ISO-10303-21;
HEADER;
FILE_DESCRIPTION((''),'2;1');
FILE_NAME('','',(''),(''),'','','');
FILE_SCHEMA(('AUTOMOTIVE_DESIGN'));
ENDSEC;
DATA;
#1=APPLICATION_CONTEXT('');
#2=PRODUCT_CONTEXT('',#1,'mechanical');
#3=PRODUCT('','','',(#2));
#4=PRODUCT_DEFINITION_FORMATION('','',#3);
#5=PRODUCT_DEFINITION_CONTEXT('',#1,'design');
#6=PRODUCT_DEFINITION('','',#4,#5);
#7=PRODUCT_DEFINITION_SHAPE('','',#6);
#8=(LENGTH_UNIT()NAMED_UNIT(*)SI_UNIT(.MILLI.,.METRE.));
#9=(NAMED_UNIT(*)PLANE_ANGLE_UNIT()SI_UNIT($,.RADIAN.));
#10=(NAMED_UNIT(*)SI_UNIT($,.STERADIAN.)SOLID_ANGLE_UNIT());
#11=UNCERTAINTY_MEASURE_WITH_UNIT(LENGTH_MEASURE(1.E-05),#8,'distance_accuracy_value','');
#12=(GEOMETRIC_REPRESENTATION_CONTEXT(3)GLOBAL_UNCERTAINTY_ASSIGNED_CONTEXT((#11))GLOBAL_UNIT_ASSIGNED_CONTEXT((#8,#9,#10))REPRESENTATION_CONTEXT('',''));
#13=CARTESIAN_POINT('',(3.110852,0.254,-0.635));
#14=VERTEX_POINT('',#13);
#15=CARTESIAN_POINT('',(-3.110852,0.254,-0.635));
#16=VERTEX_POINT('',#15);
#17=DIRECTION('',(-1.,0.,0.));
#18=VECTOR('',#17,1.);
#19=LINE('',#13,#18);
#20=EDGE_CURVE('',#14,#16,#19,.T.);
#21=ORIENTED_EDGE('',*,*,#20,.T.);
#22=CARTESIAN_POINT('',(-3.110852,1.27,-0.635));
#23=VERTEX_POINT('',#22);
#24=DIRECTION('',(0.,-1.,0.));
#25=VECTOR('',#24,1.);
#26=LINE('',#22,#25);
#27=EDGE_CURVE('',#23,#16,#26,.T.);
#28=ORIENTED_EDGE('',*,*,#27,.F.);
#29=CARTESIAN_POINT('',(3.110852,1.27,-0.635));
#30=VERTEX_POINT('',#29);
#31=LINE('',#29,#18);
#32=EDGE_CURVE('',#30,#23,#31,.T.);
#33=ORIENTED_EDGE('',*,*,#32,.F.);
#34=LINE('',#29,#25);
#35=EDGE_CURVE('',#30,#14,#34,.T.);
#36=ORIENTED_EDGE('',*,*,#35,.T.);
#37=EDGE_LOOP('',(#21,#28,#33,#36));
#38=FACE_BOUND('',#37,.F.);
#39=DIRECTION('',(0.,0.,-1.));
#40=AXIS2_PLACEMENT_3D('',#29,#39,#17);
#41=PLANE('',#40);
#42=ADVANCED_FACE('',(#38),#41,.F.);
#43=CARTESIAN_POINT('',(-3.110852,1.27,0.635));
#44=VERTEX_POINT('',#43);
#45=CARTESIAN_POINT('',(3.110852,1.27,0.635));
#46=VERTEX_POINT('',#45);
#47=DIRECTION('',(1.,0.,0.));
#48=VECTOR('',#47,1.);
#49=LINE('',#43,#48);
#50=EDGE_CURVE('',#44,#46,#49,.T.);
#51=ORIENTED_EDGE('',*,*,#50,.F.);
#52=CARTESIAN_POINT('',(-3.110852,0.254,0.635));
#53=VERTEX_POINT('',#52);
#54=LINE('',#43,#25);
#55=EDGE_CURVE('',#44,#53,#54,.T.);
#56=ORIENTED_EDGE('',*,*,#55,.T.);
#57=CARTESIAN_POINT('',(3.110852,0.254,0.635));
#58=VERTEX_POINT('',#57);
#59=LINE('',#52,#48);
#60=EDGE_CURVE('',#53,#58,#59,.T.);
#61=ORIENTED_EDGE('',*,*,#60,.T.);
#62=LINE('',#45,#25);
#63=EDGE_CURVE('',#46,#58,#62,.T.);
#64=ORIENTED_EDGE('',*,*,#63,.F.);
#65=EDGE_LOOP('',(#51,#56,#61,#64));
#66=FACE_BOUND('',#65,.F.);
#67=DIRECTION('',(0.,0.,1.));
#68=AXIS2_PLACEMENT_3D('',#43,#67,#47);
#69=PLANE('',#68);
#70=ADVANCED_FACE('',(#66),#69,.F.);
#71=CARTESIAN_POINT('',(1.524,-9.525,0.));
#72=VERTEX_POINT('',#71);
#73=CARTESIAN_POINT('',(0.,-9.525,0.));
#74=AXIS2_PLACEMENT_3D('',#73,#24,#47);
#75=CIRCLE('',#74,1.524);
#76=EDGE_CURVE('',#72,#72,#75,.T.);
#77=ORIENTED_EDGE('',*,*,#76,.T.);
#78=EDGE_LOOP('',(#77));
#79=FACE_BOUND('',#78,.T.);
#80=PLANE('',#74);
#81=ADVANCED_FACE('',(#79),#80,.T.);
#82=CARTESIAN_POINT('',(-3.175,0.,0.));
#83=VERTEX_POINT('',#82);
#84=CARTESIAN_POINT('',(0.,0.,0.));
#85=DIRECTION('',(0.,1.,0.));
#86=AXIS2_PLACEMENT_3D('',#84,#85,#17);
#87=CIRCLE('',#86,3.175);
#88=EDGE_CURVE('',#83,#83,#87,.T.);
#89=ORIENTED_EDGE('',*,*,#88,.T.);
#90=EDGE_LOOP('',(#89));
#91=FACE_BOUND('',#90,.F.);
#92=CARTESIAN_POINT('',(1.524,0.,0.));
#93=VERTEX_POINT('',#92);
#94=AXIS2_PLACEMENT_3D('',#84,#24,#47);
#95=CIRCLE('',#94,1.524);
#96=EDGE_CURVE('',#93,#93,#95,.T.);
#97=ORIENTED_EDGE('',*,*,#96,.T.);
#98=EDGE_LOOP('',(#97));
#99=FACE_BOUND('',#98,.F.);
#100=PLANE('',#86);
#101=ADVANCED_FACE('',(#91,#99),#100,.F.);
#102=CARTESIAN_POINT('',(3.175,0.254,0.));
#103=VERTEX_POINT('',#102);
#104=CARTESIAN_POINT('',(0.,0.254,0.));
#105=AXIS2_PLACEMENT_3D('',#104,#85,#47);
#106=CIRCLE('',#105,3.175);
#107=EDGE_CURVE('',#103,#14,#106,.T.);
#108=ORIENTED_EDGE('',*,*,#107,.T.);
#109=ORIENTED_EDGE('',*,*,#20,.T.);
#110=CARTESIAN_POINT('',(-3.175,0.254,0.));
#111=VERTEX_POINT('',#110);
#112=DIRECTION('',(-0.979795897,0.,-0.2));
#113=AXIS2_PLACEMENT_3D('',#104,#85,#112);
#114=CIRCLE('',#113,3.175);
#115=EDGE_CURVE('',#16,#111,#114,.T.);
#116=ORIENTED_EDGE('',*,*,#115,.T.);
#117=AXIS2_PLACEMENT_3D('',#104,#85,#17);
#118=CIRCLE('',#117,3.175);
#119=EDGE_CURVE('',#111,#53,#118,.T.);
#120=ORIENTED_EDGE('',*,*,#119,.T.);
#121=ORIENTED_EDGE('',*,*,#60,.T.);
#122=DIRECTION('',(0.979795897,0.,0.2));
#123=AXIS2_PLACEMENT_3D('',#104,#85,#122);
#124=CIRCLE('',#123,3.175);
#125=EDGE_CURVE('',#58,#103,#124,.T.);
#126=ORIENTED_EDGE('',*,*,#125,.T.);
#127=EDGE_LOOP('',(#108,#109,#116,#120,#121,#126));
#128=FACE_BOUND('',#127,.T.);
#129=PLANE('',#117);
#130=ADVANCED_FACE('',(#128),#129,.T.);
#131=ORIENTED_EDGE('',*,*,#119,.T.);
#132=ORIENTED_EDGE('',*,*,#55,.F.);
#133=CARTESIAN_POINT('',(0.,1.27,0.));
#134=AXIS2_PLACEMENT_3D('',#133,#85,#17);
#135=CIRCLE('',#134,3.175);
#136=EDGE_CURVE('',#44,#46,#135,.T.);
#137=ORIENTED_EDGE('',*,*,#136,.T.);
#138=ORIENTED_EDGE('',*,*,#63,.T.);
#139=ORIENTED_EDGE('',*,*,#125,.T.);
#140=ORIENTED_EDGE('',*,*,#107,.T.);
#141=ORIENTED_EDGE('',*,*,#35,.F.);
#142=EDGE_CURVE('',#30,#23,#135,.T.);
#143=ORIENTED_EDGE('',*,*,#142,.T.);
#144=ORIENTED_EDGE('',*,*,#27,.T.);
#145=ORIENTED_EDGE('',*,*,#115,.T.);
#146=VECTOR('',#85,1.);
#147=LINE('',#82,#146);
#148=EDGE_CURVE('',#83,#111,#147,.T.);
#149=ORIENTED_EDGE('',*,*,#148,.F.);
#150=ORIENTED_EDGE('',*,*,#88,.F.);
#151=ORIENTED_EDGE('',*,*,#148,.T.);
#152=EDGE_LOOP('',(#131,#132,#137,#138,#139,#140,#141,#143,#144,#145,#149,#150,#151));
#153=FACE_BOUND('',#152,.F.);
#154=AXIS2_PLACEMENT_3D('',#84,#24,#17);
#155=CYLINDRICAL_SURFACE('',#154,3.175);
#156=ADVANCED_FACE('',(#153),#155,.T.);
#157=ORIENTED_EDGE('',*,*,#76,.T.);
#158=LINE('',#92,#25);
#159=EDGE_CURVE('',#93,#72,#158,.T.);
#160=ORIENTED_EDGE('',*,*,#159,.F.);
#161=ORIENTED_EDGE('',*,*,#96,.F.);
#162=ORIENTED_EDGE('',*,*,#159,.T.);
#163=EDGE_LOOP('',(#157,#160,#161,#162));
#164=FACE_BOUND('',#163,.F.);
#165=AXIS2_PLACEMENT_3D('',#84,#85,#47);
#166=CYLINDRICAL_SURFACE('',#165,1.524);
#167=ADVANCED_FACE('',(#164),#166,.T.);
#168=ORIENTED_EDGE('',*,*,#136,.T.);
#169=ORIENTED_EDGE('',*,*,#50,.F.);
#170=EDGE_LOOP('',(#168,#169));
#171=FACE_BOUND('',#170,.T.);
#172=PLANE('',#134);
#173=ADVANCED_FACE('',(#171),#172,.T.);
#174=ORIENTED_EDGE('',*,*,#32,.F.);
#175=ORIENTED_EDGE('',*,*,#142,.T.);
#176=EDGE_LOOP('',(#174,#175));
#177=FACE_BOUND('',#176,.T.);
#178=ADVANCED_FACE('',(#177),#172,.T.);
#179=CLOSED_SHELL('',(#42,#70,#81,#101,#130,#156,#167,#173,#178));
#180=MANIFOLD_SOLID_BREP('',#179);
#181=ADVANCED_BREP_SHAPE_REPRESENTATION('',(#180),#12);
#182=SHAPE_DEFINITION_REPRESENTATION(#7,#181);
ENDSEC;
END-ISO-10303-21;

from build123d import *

# Parameters (mm, degrees)
F0_R     = 1.524
F1_DEPTH = 9.525
F2_R     = 3.175
F3_DEPTH = 1.27
F5_DEPTH = 1.016


with BuildPart() as f1:
    # F0 (on Front) → F1 (new body)
    with BuildSketch(Plane.XZ):
        Circle(F0_R)
    extrude(amount=F1_DEPTH)

    # F2 (on face) → F3 (join)
    with BuildSketch(Plane(origin=(0, 0, 0), x_dir=(-1, 0, 0), z_dir=(0, 1, 0))):
        Circle(F2_R)
    extrude(amount=F3_DEPTH)

    # F4 (on face) → F5 (cut)
    with BuildSketch(Plane(origin=(0, 1.27, 0), x_dir=(-1, 0, 0), z_dir=(0, 1, 0))):
        with BuildLine():
            ThreePointArc((3.175, 0), (3.1589222858, 0.3191159544), (3.1108519733, 0.635))
            Line((3.1108519733, 0.635), (-3.1108519733, 0.635))
            ThreePointArc((-3.1108519733, 0.635), (-3.1589222858, 0.3191159544), (-3.175, 0))
            ThreePointArc((-3.175, 0), (-3.1589222858, -0.3191159544), (-3.1108519733, -0.635))
            Line((-3.1108519733, -0.635), (3.1108519733, -0.635))
            ThreePointArc((3.1108519733, -0.635), (3.1589222858, -0.3191159544), (3.175, 0))
        make_face()
    extrude(amount=-F5_DEPTH, mode=Mode.SUBTRACT)


solid = f1.part
